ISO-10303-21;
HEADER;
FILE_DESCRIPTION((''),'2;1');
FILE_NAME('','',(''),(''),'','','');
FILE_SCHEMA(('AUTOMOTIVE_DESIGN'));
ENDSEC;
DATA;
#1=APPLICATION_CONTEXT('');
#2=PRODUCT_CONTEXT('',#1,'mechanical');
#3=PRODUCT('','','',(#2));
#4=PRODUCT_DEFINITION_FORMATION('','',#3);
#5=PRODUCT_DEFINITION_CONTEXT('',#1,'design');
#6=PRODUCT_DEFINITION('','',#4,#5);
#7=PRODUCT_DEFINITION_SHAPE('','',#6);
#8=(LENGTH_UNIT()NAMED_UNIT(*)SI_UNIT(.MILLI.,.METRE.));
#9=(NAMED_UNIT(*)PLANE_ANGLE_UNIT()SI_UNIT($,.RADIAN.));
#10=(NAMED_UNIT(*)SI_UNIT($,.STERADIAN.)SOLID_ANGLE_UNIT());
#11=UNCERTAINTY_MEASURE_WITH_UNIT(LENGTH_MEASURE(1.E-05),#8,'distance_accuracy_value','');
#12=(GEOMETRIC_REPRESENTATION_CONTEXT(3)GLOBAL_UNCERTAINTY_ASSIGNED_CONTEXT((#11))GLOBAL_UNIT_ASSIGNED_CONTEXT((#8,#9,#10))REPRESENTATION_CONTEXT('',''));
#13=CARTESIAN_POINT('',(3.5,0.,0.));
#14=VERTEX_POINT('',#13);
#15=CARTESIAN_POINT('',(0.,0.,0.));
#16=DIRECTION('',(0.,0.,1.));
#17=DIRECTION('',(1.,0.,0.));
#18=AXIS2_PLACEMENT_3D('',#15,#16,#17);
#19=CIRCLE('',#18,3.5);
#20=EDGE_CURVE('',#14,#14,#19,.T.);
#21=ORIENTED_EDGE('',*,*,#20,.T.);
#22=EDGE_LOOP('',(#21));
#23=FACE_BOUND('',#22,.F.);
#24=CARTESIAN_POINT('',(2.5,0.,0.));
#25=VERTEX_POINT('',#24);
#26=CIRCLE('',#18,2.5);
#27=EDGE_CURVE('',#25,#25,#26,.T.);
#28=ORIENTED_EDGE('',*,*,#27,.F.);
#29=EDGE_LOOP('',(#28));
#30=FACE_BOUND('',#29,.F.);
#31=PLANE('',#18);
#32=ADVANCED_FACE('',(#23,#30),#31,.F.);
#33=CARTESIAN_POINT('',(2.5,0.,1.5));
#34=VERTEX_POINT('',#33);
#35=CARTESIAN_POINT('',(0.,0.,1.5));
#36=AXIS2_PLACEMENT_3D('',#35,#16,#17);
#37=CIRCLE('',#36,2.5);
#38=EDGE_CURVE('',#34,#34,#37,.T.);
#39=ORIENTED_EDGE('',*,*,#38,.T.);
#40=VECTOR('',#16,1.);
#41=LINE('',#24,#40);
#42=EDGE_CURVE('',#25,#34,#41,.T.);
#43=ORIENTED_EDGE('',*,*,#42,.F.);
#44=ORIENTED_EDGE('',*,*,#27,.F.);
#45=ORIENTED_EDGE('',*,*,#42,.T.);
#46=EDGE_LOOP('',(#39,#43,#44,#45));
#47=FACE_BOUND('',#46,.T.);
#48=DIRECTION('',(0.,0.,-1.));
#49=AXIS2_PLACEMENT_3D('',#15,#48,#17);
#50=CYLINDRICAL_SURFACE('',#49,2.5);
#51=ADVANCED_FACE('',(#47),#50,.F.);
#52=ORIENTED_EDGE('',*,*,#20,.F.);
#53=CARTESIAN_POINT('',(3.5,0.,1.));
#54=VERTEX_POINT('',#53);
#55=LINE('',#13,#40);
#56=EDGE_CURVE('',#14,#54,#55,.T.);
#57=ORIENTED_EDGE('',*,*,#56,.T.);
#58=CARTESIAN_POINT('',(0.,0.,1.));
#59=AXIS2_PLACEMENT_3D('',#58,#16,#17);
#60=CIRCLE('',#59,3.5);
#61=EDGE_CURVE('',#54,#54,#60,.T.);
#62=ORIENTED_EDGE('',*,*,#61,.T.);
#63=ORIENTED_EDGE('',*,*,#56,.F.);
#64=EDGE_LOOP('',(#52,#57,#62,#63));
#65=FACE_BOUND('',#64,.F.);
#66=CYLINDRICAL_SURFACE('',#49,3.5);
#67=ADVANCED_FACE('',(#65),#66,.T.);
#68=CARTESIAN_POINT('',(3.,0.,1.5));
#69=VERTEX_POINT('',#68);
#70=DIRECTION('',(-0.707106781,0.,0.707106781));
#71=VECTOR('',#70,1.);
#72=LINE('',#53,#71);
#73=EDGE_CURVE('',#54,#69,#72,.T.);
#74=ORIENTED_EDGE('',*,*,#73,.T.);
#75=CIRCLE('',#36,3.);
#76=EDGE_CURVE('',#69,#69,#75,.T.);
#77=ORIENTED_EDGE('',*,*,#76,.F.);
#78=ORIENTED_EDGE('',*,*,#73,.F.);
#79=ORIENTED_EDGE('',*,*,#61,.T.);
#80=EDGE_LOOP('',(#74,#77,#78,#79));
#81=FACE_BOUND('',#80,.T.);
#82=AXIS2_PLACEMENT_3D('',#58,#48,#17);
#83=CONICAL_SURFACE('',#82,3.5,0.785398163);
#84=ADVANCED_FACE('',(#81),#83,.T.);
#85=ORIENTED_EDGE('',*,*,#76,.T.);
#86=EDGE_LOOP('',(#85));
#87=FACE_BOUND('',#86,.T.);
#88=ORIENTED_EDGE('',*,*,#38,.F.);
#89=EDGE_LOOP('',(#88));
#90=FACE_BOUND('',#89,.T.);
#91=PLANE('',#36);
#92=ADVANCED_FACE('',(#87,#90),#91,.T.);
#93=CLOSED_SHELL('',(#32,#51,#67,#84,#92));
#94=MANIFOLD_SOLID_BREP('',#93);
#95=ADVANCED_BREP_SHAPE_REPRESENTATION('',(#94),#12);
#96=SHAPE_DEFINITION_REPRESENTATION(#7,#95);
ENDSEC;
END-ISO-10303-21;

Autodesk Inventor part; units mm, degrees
ref_plane "YZ Plane" through (0, 0, 0) normal (1, 0, 0) x (0, 1, 0)
ref_plane "XZ Plane" through (0, 0, 0) normal (0, 1, 0) x (-1, 0, 0)
ref_plane "XY Plane" through (0, 0, 0) normal (0, 0, 1) x (1, 0, 0)
sketch "スケッチ1" plane through (0, 0, 0) normal (0, 0, 1) x (1, 0, 0)
  circle A0 centre (0, 0) radius 2.5
  circle A1 centre (0, 0) radius 3.5
  dimension "d0" = 5
  dimension "d1" = 7
extrude "押し出し1" add sketch "スケッチ1" along normal blind 1.5
chamfer "面取り1" distance 0.5 angle 45 1 edges at (-3.5, 0, 1.5)
properties part number "オイレスw1.5f5-7n" material "アセタール樹脂、黒"
